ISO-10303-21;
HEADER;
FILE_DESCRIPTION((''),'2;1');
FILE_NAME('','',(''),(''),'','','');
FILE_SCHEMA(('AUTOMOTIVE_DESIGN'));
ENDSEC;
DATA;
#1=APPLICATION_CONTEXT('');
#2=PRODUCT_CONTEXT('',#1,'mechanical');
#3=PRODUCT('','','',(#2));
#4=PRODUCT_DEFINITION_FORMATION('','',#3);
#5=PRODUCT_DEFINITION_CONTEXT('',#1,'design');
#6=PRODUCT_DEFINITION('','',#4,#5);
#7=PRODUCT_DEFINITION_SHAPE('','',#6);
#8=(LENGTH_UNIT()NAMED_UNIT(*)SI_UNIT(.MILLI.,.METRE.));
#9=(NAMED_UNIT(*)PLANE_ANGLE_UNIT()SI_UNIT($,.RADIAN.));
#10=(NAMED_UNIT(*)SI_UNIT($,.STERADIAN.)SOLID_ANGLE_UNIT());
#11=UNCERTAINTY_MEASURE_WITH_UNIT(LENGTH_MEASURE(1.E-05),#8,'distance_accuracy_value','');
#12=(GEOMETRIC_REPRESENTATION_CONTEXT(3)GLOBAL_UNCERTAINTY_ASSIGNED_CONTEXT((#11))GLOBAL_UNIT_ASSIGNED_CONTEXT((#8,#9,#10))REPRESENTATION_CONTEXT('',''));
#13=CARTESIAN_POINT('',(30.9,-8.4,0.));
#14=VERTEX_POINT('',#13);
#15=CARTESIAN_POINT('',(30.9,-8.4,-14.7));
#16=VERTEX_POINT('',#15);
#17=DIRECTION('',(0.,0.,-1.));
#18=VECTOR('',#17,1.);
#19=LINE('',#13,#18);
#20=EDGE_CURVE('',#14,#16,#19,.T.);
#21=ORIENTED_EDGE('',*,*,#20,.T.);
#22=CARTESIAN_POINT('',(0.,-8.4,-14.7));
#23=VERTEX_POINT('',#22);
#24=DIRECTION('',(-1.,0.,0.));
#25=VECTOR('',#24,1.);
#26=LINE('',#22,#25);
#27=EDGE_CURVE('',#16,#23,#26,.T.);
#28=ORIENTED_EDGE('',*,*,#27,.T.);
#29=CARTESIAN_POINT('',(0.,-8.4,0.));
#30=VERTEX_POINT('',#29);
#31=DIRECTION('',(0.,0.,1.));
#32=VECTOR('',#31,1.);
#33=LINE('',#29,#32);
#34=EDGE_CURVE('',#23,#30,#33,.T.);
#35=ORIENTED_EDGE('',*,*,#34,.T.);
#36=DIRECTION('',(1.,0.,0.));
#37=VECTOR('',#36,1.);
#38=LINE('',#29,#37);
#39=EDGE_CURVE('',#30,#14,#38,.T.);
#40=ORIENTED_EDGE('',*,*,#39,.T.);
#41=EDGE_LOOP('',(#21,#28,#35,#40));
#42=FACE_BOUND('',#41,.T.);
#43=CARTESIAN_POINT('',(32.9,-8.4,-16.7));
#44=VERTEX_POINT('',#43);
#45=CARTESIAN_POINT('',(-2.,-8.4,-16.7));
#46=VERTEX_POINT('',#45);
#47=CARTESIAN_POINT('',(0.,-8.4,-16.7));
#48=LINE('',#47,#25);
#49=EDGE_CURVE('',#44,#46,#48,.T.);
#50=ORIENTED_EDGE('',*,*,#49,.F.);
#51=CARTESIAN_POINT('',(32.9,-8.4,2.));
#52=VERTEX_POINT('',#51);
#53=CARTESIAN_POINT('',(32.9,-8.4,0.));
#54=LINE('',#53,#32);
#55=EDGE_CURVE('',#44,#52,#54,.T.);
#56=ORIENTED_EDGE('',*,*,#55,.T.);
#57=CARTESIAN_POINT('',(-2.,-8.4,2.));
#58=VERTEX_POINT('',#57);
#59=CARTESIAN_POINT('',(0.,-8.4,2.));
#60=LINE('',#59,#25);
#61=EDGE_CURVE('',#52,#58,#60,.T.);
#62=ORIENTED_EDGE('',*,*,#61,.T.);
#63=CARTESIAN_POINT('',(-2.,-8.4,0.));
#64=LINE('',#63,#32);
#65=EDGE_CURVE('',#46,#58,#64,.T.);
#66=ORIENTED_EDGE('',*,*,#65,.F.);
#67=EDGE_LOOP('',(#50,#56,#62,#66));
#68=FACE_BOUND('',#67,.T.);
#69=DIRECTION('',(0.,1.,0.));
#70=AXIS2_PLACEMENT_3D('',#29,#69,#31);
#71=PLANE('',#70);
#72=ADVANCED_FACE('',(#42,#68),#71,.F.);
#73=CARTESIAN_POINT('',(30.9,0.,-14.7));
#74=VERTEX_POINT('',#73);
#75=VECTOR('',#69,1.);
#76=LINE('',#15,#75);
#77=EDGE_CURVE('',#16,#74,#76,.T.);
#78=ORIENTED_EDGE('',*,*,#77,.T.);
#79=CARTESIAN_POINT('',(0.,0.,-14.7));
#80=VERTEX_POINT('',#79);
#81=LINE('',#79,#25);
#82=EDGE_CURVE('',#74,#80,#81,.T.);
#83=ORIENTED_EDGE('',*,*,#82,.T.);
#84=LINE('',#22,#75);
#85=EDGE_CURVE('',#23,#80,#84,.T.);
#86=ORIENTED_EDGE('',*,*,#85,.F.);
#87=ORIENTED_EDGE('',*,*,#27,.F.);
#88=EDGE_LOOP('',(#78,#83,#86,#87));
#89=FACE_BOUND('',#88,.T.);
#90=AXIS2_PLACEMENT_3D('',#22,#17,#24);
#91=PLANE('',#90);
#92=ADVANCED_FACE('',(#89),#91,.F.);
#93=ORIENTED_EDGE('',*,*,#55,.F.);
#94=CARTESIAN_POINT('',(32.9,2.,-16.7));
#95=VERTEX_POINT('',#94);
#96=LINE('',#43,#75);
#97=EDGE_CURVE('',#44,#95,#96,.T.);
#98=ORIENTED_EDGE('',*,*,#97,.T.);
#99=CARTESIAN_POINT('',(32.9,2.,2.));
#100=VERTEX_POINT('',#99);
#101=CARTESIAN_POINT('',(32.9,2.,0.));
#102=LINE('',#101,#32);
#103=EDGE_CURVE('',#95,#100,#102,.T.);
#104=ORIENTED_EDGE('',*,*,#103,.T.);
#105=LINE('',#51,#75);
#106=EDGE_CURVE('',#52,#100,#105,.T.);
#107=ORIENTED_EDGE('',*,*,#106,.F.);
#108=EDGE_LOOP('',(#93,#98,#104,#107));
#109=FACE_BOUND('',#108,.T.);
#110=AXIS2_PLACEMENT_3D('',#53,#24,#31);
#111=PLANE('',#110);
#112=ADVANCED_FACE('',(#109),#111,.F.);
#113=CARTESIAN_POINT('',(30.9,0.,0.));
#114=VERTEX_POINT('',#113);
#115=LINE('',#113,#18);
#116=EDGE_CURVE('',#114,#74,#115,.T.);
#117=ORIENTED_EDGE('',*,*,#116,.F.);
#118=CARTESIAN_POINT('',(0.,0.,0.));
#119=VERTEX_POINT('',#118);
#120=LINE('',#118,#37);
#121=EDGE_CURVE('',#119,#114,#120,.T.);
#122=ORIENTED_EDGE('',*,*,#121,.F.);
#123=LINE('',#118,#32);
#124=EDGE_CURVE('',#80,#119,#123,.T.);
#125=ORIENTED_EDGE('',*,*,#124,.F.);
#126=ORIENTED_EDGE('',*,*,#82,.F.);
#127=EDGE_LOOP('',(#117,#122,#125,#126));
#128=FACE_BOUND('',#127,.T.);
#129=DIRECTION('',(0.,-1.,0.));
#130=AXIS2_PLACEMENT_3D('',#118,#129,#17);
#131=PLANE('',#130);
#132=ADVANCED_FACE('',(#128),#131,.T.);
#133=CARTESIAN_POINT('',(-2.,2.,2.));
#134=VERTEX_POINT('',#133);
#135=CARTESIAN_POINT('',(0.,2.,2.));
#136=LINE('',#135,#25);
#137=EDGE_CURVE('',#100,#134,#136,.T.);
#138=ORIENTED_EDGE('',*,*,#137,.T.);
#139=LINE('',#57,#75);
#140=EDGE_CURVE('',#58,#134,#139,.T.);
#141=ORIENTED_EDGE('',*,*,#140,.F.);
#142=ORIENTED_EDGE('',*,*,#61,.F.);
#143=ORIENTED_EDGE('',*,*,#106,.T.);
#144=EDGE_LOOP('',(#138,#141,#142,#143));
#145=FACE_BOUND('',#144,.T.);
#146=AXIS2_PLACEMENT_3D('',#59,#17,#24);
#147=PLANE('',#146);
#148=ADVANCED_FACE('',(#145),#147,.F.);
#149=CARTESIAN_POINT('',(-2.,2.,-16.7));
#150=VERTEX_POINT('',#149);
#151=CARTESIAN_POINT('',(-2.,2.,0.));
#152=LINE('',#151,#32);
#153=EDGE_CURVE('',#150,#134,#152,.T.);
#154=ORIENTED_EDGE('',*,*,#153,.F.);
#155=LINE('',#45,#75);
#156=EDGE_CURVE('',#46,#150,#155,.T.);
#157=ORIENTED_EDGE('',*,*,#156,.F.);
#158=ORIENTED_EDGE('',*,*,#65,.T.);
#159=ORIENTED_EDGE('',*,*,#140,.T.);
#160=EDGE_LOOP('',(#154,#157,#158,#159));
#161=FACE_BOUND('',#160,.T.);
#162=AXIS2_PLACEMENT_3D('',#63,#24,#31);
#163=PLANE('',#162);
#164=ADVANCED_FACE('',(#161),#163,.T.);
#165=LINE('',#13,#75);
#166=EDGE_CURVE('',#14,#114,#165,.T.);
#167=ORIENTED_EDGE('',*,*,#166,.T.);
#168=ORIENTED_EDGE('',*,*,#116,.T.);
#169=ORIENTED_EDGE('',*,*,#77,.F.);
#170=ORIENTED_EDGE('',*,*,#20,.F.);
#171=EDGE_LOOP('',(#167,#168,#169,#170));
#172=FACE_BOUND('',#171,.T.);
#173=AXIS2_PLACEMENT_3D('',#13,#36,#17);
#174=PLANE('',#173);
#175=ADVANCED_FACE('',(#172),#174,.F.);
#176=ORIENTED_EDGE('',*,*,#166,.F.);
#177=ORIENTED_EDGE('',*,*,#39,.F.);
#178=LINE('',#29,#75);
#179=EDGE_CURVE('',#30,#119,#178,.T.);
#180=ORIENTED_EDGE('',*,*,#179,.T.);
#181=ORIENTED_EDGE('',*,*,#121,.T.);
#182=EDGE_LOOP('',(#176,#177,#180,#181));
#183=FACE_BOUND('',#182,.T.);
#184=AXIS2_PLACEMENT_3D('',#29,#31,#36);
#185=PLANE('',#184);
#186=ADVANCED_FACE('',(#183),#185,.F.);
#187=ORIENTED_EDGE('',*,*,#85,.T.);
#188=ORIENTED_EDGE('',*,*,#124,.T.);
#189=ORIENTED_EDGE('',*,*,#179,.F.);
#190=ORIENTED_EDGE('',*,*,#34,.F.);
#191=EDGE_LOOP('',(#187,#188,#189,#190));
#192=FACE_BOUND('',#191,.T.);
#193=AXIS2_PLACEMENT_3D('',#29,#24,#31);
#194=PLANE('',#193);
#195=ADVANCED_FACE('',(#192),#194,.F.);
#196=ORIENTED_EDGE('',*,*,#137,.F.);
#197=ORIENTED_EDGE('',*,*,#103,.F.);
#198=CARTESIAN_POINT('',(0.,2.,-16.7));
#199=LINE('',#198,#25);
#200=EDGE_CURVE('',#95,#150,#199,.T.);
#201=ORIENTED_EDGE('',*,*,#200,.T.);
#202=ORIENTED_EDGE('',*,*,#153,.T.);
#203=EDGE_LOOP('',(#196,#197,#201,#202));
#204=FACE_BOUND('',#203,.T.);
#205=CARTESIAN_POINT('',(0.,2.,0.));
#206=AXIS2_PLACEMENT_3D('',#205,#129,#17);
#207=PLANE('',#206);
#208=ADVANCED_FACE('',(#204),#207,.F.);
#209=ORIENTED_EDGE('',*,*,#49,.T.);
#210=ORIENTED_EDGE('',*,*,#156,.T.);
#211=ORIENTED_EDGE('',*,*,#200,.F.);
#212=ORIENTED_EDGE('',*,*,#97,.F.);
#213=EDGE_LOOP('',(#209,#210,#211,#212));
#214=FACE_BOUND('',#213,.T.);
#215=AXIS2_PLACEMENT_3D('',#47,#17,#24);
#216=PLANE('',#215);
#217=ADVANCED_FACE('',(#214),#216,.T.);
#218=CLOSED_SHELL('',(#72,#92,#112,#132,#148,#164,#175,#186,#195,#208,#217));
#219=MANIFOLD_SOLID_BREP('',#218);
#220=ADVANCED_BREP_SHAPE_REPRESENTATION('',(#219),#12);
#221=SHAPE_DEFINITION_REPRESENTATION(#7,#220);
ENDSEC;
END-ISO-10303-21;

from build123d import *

# Parameters (mm, degrees)
SKETCH1_W           = 30.9
SKETCH1_H           = 14.7
BOSS_EXTRUDE1_DEPTH = 2
SKETCH2_W           = 30.9
SKETCH2_H           = 2
BOSS_EXTRUDE2_DEPTH = 10.4


with BuildPart() as part:
    # Sketch1 → Boss-Extrude1 (new body)
    with BuildSketch(Plane(origin=(0, 0, 0), x_dir=(1, 0, 0), z_dir=(0, 1, 0))):
        with Locations((15.45, 7.35)):
            Rectangle(SKETCH1_W, SKETCH1_H)
    extrude(amount=BOSS_EXTRUDE1_DEPTH)

    # Sketch2 → Boss-Extrude2 (add)
    with BuildSketch(Plane(origin=(0, 2, 0), x_dir=(1, 0, 0), z_dir=(0, 1, 0))):
        Polygon((0, 16.7), (-2, 16.7), (-2, -2), (0, -2), (0, 0), (0, 14.7), align=None)
        with Locations((15.45, 15.7)):
            Rectangle(SKETCH2_W, SKETCH2_H)
        with Locations((15.45, -1)):
            Rectangle(SKETCH2_W, SKETCH2_H)
        Polygon((32.9, 16.7), (32.9, -2), (30.9, -2), (30.9, 0), (30.9, 14.7), (30.9, 16.7), align=None)
    extrude(amount=-BOSS_EXTRUDE2_DEPTH)


solid = part.part
